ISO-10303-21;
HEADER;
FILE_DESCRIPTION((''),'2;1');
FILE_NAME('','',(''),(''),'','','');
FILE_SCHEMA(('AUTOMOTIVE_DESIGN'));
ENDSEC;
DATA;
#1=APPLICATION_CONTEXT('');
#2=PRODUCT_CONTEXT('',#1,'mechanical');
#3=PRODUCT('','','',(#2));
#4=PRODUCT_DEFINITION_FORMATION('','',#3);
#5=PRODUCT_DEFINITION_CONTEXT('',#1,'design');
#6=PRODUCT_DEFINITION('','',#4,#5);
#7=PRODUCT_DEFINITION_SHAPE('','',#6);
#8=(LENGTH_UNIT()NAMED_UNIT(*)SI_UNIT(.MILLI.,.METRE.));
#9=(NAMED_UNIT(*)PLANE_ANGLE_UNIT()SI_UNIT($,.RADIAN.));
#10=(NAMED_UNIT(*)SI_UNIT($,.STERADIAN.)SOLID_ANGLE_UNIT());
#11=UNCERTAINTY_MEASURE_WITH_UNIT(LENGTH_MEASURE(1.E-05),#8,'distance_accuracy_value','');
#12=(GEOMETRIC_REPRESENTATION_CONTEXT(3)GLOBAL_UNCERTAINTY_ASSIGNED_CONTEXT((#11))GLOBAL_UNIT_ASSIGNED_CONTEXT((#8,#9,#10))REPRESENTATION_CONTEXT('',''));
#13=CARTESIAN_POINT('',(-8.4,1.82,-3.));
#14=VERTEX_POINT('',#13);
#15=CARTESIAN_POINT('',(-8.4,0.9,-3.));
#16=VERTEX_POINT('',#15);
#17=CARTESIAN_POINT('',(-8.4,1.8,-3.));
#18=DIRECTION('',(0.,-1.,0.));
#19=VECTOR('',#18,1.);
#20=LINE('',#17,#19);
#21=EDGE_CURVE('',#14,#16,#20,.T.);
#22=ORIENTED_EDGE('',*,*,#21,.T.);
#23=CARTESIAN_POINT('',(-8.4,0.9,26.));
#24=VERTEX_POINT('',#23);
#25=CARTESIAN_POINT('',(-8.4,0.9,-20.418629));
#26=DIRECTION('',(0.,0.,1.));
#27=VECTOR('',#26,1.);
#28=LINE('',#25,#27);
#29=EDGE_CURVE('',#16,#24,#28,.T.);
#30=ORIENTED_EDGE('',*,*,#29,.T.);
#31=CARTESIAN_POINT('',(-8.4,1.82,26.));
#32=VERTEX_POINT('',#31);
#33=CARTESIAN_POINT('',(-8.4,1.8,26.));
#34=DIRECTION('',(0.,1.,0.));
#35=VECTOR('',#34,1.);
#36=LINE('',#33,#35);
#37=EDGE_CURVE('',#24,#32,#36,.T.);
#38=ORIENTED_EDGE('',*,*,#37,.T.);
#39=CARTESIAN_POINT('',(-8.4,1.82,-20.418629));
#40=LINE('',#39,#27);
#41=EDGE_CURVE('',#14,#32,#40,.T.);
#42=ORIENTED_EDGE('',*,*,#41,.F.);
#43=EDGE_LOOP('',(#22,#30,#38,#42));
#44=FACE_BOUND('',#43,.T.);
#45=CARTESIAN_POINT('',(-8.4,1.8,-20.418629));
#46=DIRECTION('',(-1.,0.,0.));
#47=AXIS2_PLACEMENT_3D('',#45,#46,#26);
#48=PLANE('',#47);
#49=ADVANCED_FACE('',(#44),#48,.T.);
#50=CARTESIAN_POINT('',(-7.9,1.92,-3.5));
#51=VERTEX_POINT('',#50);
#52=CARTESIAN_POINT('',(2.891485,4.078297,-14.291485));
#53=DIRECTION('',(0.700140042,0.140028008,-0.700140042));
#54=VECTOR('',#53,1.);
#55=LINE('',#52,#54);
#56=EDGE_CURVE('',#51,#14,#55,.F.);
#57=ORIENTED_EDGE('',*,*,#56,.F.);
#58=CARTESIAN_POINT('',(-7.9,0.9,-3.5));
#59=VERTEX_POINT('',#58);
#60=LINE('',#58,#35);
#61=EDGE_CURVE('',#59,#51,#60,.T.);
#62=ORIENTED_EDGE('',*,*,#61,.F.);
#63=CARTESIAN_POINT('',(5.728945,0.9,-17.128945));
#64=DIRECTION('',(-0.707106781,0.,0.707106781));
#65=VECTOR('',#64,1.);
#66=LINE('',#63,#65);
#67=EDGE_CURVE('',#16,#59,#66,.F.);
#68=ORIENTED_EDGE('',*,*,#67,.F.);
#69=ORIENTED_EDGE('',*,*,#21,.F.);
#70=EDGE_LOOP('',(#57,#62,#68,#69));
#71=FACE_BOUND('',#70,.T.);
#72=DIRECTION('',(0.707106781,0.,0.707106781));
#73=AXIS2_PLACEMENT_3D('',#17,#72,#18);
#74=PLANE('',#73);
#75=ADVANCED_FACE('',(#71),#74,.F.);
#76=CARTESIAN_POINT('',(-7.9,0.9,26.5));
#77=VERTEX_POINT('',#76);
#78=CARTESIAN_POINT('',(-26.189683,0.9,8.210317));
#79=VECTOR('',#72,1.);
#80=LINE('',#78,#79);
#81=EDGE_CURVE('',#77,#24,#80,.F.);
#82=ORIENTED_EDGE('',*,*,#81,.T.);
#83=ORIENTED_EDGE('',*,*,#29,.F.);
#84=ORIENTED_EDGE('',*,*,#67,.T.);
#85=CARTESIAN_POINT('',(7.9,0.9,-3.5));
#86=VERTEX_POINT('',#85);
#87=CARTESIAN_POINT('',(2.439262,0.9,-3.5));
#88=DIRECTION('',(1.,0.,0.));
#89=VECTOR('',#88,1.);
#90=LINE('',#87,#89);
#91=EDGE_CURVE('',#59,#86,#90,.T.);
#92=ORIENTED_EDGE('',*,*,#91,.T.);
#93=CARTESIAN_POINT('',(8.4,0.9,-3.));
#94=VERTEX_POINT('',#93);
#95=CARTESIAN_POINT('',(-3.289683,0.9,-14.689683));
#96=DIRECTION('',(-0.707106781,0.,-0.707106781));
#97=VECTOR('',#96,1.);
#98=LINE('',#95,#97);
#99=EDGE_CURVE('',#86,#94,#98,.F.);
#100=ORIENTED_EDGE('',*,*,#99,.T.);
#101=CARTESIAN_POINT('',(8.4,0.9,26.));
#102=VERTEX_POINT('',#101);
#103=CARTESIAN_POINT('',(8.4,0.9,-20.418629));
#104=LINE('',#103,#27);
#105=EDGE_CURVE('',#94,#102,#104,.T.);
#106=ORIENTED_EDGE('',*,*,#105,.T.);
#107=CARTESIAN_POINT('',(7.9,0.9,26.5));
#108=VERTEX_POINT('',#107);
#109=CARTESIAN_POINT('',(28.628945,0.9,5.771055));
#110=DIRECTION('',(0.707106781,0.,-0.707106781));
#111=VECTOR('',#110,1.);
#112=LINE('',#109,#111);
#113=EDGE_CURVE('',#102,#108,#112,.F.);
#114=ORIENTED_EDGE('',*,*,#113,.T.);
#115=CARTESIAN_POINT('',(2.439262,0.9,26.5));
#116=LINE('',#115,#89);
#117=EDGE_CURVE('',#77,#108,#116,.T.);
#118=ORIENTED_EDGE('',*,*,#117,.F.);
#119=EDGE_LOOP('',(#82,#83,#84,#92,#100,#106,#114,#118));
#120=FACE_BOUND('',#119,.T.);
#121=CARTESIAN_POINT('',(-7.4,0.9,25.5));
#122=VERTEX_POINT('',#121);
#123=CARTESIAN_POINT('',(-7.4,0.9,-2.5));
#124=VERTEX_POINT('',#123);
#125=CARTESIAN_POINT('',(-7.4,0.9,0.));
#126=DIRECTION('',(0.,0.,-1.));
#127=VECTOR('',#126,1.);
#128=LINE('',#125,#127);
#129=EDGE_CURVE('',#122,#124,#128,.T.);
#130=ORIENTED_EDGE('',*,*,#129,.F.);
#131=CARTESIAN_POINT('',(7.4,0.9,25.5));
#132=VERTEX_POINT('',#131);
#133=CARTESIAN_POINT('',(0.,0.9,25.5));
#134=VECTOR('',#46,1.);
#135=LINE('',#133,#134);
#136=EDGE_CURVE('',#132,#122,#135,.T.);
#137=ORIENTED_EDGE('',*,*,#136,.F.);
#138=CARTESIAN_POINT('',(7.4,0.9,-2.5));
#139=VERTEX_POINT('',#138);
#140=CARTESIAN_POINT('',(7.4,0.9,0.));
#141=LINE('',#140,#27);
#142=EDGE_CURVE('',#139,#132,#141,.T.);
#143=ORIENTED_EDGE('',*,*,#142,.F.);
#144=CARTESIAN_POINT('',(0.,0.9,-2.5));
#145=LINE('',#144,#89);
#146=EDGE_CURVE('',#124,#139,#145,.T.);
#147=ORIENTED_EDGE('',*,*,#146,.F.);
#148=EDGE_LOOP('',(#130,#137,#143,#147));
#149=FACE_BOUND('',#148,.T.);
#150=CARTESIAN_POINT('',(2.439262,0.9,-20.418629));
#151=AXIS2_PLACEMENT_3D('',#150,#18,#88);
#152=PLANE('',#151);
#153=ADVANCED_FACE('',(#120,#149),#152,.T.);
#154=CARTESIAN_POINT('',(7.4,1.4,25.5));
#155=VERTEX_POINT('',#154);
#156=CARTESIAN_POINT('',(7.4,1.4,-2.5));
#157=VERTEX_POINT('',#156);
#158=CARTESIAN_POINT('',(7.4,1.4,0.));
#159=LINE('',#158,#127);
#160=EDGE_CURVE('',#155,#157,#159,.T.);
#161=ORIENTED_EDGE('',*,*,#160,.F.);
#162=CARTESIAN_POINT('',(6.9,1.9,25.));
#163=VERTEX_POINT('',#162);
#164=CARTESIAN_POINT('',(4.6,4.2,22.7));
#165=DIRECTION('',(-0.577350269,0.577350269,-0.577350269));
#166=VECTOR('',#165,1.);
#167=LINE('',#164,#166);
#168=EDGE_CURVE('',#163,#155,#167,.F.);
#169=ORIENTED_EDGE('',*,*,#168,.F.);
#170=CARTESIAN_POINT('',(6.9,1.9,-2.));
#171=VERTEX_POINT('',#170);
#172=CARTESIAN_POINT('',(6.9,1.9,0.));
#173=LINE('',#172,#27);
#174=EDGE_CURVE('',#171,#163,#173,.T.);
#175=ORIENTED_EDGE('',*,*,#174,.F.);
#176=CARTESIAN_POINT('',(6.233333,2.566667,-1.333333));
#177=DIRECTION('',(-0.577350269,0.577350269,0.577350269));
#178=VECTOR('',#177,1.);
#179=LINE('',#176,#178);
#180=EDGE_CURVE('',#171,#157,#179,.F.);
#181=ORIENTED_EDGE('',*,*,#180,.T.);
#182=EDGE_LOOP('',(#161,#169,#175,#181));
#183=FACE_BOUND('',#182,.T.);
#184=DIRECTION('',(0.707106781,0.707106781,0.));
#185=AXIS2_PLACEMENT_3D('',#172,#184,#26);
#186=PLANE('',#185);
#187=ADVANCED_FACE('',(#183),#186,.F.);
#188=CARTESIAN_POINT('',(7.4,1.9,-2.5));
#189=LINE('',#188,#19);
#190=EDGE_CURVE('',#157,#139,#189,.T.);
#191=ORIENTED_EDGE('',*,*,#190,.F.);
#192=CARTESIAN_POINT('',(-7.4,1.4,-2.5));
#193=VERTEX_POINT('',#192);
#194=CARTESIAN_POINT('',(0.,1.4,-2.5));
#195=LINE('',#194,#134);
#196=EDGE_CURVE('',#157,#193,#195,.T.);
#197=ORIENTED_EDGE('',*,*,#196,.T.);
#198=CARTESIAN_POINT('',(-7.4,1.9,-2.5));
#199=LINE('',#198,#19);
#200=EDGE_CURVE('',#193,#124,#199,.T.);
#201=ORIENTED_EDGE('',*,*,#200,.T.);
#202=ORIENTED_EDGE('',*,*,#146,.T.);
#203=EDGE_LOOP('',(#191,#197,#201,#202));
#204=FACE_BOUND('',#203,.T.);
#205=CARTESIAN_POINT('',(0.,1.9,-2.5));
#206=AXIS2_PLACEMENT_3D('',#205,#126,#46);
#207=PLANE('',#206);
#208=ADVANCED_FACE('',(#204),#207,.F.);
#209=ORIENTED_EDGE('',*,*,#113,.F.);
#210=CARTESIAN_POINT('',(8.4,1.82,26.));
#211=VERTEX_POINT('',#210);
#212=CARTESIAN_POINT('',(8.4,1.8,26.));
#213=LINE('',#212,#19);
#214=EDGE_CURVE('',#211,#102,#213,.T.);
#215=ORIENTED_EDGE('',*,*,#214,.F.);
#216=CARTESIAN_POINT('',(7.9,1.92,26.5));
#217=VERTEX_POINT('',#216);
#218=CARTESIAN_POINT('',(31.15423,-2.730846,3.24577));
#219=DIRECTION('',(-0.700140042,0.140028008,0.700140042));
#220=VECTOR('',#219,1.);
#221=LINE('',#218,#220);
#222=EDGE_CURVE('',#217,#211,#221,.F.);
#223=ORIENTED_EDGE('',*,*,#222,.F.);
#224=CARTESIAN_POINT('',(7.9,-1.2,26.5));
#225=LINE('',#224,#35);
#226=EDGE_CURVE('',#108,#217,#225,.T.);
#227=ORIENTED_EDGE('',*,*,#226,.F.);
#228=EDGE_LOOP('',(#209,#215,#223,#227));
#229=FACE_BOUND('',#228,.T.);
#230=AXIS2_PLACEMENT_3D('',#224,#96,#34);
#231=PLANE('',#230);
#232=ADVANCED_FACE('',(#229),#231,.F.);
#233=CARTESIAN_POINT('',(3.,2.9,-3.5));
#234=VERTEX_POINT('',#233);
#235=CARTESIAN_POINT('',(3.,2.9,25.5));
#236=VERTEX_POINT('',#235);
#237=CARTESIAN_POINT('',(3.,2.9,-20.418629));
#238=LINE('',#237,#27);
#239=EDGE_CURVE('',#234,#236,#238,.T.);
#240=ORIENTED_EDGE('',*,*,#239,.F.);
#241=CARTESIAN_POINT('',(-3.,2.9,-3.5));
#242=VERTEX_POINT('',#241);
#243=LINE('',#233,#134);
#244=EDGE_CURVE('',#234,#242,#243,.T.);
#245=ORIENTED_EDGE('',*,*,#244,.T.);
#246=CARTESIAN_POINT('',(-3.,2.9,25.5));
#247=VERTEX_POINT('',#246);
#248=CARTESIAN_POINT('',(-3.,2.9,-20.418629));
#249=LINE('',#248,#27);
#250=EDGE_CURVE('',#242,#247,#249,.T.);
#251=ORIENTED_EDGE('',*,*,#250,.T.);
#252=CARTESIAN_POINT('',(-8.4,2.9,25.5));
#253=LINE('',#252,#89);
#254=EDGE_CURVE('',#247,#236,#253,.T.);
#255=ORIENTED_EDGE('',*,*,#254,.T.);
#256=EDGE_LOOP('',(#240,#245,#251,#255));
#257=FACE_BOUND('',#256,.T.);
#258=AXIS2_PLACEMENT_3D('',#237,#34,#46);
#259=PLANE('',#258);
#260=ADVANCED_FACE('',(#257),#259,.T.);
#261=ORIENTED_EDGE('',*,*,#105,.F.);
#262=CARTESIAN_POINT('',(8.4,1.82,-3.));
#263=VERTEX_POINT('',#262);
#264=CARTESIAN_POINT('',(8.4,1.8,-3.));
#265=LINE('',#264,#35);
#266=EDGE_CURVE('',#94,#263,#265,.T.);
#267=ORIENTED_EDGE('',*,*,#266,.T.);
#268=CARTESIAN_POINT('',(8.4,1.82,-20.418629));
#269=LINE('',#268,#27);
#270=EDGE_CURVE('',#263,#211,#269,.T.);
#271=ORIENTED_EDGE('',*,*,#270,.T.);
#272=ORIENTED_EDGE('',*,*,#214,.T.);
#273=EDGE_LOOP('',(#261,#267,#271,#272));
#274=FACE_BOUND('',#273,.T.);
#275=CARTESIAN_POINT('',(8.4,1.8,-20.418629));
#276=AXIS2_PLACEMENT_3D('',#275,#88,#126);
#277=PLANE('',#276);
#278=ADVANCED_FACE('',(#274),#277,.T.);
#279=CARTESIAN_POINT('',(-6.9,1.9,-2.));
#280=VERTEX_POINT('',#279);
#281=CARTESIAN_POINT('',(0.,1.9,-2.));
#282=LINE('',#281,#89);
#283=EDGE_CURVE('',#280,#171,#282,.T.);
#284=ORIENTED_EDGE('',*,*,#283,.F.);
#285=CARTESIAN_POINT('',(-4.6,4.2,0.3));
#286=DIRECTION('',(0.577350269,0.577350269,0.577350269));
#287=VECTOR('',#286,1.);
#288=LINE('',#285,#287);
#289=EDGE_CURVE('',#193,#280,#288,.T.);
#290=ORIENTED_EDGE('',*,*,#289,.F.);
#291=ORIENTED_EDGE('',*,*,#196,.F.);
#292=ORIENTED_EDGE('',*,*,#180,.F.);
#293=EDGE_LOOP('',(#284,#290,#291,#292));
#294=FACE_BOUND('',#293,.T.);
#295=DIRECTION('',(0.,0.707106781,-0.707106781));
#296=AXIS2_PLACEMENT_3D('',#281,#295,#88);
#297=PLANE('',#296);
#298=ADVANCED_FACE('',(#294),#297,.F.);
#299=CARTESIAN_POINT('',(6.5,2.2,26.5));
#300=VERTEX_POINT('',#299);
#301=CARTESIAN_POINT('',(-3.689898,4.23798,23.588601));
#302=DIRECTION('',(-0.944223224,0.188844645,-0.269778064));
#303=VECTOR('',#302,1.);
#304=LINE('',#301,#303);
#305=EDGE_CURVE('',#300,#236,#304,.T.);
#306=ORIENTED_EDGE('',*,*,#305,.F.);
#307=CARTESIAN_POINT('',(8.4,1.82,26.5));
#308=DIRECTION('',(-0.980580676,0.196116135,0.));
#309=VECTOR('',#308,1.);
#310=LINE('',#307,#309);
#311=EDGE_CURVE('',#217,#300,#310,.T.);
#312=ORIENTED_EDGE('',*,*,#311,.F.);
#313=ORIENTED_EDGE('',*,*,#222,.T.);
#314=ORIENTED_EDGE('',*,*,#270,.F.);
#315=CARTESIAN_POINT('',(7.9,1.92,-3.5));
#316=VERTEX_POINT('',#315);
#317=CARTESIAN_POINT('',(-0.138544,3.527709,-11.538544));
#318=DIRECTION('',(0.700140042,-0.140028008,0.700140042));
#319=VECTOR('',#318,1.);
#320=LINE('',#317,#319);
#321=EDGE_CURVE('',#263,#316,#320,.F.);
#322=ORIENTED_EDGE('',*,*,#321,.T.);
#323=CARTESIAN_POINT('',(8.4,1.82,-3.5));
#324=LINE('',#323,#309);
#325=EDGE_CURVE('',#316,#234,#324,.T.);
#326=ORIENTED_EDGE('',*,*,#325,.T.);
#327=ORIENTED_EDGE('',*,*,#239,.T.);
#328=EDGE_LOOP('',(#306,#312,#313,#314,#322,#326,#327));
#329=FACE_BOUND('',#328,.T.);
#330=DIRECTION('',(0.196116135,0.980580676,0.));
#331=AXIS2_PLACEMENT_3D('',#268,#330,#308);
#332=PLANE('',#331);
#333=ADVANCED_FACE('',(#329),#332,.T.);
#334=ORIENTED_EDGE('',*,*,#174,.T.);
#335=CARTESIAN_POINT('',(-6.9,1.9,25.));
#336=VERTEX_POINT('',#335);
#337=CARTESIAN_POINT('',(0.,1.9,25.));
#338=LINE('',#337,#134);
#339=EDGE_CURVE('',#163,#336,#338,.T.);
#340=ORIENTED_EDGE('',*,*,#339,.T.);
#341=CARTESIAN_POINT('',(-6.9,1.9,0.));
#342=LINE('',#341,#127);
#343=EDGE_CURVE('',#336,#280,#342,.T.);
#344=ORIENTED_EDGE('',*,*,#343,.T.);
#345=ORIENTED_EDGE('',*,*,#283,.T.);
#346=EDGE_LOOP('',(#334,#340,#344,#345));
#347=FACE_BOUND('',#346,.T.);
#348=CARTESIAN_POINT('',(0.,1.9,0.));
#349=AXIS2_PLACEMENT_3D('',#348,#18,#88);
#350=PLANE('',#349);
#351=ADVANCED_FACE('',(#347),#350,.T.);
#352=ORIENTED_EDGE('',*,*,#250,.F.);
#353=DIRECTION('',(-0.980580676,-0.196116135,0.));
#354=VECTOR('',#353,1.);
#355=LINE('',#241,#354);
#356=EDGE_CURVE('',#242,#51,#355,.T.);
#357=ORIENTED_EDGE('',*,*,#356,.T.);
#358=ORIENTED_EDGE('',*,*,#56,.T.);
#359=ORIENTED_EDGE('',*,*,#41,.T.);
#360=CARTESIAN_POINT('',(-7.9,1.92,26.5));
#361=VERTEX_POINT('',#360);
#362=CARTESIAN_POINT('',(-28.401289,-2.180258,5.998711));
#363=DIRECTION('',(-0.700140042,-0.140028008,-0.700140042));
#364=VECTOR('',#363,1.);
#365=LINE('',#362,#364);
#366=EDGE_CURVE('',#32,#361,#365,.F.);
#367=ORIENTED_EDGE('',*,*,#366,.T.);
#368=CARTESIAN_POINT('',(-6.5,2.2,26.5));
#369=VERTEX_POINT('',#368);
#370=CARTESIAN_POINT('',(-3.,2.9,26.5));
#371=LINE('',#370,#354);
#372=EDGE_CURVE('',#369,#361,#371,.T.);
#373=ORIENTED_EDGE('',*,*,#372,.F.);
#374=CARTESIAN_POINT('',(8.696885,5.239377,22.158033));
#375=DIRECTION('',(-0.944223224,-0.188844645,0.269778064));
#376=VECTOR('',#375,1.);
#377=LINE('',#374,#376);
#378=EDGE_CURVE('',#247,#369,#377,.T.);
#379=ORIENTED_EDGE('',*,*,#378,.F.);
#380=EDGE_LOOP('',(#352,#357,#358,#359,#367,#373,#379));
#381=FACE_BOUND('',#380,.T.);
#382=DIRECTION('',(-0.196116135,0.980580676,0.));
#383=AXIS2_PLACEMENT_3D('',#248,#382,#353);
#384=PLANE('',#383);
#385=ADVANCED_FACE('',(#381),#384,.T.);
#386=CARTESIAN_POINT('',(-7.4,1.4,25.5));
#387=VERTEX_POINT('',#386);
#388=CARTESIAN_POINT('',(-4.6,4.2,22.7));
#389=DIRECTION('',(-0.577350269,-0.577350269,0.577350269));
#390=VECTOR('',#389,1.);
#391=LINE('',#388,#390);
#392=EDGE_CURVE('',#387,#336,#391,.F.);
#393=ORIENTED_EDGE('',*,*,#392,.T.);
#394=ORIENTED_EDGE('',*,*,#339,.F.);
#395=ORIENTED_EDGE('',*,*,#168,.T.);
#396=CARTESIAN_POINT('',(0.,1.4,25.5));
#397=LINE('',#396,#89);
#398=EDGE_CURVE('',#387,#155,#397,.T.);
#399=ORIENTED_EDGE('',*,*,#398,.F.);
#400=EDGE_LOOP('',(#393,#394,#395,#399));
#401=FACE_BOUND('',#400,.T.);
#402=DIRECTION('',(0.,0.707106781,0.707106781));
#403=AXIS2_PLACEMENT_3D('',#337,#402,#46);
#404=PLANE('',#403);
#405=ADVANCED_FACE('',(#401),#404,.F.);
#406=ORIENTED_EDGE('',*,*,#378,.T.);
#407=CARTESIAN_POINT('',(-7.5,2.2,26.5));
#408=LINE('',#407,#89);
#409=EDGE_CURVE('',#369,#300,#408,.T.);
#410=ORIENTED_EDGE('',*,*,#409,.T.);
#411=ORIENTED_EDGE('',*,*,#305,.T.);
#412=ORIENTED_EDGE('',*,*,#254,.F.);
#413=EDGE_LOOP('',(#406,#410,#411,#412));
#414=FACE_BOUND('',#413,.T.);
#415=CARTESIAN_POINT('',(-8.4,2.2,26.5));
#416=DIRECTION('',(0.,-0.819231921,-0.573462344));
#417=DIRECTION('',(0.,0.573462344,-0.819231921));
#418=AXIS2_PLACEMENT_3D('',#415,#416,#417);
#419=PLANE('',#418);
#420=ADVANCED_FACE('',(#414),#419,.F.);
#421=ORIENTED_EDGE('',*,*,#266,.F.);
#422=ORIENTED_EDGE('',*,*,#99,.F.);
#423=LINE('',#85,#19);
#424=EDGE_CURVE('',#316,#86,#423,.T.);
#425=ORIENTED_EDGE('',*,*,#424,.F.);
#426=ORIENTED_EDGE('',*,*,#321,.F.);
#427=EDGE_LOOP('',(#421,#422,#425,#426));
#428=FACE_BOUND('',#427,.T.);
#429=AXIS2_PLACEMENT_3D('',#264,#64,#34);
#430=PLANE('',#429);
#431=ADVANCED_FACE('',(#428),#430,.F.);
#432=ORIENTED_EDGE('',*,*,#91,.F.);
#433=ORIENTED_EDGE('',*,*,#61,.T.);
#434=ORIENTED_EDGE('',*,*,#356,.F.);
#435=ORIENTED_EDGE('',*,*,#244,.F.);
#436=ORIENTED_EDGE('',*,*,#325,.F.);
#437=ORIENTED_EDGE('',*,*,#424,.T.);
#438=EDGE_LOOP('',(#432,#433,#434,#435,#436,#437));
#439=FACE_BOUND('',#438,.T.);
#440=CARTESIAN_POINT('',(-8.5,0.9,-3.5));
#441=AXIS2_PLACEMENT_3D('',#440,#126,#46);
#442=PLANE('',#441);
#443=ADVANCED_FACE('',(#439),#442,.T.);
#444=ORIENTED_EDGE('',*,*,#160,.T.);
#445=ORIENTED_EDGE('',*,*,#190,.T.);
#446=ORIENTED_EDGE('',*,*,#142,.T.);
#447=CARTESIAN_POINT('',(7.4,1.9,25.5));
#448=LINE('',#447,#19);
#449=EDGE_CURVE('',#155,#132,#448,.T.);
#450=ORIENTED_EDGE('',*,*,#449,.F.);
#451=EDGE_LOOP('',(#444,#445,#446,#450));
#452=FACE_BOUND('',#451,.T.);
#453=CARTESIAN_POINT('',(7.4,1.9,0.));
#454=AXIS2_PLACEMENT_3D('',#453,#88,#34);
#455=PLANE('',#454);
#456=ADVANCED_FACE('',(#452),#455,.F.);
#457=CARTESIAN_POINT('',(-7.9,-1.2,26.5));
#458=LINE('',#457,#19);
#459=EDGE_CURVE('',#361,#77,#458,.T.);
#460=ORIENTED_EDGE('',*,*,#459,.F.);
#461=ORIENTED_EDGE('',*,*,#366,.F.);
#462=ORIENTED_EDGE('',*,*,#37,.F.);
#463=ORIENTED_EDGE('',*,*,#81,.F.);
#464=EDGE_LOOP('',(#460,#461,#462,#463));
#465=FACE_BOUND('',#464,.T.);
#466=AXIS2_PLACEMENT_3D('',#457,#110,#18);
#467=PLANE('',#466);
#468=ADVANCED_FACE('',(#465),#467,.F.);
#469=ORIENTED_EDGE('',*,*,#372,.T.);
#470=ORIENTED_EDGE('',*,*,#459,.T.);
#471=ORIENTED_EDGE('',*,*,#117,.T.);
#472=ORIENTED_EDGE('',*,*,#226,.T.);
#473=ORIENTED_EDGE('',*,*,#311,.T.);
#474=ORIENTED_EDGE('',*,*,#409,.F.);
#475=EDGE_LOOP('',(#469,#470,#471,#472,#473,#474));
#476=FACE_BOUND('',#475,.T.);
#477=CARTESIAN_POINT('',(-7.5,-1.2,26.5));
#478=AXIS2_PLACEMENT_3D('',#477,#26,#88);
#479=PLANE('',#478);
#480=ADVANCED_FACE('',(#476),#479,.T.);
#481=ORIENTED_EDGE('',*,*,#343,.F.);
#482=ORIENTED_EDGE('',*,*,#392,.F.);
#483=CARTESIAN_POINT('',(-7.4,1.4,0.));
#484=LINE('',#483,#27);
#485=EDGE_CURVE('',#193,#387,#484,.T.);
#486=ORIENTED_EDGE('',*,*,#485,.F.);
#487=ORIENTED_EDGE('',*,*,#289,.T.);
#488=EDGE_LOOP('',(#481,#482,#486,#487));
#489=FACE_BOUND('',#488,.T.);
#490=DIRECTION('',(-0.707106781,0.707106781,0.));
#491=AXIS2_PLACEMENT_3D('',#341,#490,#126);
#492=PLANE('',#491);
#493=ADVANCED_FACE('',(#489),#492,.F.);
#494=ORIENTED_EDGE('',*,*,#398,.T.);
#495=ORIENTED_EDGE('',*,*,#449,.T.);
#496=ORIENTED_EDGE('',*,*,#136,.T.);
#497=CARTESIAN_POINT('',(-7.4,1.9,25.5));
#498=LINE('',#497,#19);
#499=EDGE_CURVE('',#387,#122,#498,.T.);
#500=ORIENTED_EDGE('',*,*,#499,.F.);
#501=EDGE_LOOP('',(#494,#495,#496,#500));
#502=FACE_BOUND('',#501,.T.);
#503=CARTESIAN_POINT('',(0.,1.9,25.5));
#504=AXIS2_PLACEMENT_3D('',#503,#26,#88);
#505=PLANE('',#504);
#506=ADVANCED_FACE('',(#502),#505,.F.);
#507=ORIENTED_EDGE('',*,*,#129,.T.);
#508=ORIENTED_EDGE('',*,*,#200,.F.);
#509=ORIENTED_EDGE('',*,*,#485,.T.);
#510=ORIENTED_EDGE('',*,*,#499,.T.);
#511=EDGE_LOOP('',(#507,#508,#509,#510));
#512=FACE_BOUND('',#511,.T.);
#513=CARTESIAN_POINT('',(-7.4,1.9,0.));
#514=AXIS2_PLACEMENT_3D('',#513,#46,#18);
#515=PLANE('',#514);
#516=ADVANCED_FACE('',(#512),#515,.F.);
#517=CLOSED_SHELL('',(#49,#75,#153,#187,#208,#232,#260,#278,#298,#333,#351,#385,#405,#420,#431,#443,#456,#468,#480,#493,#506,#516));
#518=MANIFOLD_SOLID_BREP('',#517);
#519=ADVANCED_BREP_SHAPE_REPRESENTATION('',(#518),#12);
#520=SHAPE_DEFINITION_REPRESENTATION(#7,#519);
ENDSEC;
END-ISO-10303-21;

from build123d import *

# Parameters (mm, degrees)
EXTRUDE_1_DEPTH          = 26.5
EXTRUDE_1_DEPTH_BACK     = 3.5
CUT_EXTRUDE_1_DEPTH      = 28.950313057
CUT_EXTRUDE_1_DEPTH_BACK = 28.950313057
SKETCH_3_W               = 14.8
SKETCH_3_H               = 28
CUT_EXTRUDE_2_DEPTH      = 1
CHAMFER_1_SIZE           = 0.5
CHAMFER_2_SIZE           = 0.5


with BuildPart() as part:
    # Эскиз1 → Бобышка-Вытянуть1 (new, two sides: drawn at the far end of the back side and taken through both)
    with BuildSketch(Plane.XY.offset(-EXTRUDE_1_DEPTH_BACK)):
        Polygon((-2.439262184, 0.9), (2.439262184, 0.9), (8.4, 0.9), (8.4, 1.8), (8.4, 1.82), (3, 2.9), (-3, 2.9), (-8.4, 1.82), (-8.4, 1.8), (-8.4, 0.9), align=None)
    extrude(amount=EXTRUDE_1_DEPTH + EXTRUDE_1_DEPTH_BACK)

    # Эскиз2 → Вырез-Вытянуть1 (cut, two sides: drawn at the far end of the back side and taken through both)
    with BuildSketch(Plane(origin=(0, 0, 0), x_dir=(0, 0, -1), z_dir=(1, 0, 0)).offset(-CUT_EXTRUDE_1_DEPTH_BACK)):
        Polygon((-25.5, 2.9), (-26.5, 2.9), (-26.5, 2.2), align=None)
    extrude(amount=CUT_EXTRUDE_1_DEPTH + CUT_EXTRUDE_1_DEPTH_BACK, mode=Mode.SUBTRACT)

    # Эскиз3 → Вырез-Вытянуть2 (cut)
    with BuildSketch(Plane.XZ.offset(-0.9)):
        with Locations((0, 11.5)):
            Rectangle(SKETCH_3_W, SKETCH_3_H)
    extrude(amount=-CUT_EXTRUDE_2_DEPTH, mode=Mode.SUBTRACT)

    # Фаска1
    chamfer_1_edges = [part.edges().sort_by_distance(p)[0] for p in [
        (-7.4, 1.9, 11.5),
        (0, 1.9, 25.5),
        (7.4, 1.9, 11.5),
        (0, 1.9, -2.5),
    ]]
    chamfer(chamfer_1_edges, length=CHAMFER_1_SIZE)

    # Фаска2
    chamfer_2_edges = [part.edges().sort_by_distance(p)[0] for p in [
        (8.4, 1.36, 26.5),
        (-8.4, 1.36, 26.5),
        (-8.4, 1.36, -3.5),
        (8.4, 1.36, -3.5),
    ]]
    chamfer(chamfer_2_edges, length=CHAMFER_2_SIZE)


solid = part.part
